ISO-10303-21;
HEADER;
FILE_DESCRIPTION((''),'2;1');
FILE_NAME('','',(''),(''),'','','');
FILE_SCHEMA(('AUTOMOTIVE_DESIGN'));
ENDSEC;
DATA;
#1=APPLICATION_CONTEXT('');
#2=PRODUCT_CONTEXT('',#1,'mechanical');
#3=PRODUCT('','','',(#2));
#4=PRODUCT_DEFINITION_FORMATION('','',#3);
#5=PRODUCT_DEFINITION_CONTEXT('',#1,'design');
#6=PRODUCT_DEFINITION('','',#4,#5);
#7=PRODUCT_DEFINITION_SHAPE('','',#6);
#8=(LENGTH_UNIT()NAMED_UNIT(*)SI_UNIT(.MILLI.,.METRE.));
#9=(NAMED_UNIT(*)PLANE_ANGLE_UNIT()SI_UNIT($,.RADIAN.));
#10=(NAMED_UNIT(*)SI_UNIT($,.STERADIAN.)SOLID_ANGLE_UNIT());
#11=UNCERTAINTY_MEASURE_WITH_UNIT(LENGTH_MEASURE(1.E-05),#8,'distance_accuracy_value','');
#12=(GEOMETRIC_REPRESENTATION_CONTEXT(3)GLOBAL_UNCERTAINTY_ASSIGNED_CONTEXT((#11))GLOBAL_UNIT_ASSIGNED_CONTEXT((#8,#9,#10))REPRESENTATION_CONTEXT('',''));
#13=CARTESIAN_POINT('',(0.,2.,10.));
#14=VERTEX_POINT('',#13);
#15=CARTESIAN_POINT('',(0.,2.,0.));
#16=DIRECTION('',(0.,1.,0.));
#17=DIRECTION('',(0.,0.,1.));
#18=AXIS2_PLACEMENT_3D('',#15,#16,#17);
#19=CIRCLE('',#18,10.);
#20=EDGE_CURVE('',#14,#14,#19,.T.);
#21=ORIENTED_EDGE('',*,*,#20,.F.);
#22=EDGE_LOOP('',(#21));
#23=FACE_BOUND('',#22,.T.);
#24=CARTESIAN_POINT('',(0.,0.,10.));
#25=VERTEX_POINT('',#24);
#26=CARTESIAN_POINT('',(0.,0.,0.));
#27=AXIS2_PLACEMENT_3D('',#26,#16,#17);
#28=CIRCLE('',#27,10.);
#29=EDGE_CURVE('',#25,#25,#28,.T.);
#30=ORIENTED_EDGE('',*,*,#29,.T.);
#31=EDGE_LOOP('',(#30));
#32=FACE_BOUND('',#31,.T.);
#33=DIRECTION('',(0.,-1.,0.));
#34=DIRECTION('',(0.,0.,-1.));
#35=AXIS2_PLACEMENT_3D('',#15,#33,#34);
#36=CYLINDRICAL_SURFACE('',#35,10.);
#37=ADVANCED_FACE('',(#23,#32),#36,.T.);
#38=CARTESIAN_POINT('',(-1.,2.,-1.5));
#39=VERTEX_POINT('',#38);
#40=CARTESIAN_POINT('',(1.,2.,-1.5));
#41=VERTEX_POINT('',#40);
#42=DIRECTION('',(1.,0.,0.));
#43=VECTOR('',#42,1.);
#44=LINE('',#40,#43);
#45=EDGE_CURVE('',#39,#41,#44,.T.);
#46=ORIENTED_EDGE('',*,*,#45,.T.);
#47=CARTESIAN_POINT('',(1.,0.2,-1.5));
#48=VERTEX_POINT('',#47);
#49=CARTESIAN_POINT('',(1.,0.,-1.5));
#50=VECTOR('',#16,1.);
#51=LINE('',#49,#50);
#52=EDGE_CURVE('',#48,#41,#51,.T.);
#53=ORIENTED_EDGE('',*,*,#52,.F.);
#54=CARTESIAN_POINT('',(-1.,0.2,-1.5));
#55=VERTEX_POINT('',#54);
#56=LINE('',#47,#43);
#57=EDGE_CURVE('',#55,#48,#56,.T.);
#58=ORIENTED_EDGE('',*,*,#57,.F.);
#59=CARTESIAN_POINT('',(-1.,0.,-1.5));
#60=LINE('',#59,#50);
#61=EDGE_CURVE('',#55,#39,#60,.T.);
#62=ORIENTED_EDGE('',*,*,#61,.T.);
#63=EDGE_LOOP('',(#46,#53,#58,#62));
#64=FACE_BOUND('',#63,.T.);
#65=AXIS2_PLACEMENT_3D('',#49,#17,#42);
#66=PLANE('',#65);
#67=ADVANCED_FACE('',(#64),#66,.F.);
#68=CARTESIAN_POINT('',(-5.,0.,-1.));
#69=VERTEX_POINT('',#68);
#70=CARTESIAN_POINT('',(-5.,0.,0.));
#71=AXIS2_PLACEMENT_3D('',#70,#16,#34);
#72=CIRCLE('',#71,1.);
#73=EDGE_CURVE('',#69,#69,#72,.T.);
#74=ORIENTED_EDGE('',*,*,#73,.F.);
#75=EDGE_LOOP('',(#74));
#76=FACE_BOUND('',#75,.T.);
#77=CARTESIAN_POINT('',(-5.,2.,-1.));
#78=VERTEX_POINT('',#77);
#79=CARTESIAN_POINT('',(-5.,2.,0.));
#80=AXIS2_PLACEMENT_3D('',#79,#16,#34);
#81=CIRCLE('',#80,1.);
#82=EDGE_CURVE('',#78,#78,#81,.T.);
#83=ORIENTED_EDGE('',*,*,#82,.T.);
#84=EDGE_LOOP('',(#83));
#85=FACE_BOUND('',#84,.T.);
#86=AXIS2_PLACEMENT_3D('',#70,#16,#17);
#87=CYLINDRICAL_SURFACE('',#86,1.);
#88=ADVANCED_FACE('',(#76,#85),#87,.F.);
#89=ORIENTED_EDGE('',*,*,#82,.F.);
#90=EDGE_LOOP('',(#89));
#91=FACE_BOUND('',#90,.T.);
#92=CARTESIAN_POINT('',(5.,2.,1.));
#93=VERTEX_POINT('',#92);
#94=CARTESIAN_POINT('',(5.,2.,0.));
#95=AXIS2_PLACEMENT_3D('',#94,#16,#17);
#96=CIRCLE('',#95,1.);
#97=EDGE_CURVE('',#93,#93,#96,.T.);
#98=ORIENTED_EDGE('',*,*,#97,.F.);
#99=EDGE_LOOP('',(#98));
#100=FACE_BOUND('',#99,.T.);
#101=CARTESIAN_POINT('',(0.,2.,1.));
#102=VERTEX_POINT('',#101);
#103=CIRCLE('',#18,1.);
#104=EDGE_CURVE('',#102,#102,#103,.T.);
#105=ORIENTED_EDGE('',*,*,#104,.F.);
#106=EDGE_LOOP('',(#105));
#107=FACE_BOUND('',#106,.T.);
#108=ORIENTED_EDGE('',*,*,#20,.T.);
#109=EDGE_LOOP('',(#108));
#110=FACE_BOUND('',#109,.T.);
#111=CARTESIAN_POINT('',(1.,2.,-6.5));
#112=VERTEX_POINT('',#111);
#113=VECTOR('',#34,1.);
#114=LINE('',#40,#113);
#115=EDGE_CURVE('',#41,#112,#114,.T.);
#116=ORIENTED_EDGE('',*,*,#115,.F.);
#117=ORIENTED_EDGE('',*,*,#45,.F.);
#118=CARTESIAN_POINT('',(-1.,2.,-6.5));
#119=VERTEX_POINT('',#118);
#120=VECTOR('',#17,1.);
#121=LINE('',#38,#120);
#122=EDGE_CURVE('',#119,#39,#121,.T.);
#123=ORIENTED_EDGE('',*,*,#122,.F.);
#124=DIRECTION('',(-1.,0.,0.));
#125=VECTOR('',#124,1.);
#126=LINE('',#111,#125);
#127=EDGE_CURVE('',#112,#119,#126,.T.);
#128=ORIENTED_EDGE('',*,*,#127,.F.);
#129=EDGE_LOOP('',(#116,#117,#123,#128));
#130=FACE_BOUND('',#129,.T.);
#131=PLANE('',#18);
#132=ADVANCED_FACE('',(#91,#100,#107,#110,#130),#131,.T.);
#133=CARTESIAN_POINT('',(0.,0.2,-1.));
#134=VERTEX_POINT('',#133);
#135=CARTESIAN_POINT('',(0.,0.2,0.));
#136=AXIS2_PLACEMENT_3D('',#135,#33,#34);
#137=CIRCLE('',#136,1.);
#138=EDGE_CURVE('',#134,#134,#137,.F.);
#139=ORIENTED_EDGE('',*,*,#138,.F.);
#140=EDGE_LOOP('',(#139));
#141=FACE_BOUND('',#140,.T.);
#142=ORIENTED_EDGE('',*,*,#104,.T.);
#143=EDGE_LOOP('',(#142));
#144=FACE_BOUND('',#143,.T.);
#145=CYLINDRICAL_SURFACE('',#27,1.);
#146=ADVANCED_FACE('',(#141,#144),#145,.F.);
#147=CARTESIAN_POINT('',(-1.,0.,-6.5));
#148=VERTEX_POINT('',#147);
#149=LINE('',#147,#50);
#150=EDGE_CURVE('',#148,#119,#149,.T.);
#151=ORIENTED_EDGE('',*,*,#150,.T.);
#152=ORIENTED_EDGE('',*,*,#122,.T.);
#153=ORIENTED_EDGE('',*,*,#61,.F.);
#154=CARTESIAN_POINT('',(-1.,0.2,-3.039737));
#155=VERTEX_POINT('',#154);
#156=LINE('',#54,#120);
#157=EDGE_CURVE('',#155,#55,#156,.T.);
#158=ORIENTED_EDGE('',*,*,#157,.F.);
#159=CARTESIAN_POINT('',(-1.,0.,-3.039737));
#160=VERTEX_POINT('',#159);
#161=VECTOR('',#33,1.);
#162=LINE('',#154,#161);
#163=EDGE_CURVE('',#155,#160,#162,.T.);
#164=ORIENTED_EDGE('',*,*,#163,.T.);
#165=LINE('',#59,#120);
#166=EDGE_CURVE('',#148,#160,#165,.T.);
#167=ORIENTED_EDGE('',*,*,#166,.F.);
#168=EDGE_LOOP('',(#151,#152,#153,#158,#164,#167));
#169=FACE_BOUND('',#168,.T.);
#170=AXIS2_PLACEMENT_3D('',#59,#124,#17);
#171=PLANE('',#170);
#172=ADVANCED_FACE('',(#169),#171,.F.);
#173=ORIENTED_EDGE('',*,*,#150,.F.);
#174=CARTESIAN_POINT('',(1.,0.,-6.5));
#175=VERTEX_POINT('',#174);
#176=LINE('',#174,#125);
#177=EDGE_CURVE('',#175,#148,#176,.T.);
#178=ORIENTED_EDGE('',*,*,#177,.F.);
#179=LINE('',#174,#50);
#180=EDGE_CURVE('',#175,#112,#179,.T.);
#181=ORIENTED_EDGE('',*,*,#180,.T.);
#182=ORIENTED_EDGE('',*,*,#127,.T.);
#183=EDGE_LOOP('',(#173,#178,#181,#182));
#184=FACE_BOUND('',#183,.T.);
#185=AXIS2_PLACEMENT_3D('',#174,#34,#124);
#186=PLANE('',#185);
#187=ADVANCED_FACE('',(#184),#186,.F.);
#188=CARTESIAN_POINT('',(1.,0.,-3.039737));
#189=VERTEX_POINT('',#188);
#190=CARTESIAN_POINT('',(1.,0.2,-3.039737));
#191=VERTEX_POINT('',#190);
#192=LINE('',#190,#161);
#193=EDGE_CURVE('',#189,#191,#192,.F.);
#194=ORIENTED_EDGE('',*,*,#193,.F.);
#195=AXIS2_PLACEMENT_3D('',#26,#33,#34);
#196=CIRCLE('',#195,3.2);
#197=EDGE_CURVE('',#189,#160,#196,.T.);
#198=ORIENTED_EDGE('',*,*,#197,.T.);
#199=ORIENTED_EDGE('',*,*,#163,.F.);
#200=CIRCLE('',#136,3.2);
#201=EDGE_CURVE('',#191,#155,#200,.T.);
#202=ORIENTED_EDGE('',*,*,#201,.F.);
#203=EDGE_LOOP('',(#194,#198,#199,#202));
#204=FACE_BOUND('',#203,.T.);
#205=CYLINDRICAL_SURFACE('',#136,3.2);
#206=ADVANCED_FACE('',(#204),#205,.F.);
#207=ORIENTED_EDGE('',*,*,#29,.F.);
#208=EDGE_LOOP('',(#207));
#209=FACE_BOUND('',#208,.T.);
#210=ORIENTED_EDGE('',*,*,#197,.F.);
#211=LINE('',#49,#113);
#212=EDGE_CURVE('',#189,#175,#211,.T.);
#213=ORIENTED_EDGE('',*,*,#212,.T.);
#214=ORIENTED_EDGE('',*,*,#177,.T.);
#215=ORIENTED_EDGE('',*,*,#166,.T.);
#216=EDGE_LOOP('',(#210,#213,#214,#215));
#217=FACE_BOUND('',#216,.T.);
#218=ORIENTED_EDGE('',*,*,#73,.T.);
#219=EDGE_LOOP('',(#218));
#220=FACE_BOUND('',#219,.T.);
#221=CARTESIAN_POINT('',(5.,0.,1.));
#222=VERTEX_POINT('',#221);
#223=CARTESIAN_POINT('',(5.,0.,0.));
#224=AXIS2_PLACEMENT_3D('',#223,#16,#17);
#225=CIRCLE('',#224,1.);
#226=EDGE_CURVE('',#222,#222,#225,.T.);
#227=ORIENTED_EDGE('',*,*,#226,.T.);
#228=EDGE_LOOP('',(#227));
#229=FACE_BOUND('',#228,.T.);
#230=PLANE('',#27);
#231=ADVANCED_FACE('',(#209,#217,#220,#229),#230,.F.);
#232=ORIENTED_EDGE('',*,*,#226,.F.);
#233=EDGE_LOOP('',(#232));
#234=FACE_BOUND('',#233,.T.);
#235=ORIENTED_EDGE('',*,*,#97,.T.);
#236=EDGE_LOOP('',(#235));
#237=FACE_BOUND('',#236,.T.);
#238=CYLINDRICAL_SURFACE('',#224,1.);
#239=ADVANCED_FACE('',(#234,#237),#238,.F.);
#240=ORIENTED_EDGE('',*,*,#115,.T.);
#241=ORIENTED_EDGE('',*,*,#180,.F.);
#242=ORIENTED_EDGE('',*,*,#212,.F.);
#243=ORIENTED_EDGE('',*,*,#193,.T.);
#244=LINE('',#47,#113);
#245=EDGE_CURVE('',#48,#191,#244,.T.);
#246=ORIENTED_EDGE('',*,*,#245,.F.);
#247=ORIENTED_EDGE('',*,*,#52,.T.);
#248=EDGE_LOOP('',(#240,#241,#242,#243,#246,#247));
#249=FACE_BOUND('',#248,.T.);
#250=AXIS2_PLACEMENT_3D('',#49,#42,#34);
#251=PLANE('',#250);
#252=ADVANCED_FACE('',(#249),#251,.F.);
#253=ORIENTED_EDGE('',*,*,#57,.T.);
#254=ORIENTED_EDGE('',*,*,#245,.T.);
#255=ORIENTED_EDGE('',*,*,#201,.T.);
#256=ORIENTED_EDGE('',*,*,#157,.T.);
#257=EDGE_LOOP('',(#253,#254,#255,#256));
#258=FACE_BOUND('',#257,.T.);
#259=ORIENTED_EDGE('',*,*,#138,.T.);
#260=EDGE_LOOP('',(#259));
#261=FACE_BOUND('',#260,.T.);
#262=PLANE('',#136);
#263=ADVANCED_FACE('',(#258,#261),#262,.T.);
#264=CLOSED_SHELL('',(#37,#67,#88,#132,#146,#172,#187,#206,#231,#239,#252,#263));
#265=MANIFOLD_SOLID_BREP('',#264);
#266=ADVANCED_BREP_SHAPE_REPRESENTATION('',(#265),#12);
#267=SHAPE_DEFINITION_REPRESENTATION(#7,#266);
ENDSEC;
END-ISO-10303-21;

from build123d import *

# Parameters (mm, degrees)
SKETCH1_R           = 10
BOSS_EXTRUDE1_DEPTH = 2
SKETCH2_R           = 1
SKETCH2_W           = 2
SKETCH2_H           = 5
CUT_EXTRUDE1_DEPTH  = 2
SKETCH3_R           = 3.2
CUT_EXTRUDE2_DEPTH  = 0.2


with BuildPart() as part:
    # Sketch1 → Boss-Extrude1 (new body)
    with BuildSketch(Plane(origin=(0, 0, 0), x_dir=(1, 0, 0), z_dir=(0, 1, 0))):
        with Locations(Location((0, 0, 0), (0, 0, 270))):
            Circle(SKETCH1_R)
    extrude(amount=BOSS_EXTRUDE1_DEPTH)

    # Sketch2 → Cut-Extrude1 (cut)
    with BuildSketch(Plane(origin=(0, 2, 0), x_dir=(1, 0, 0), z_dir=(0, 1, 0))):
        with Locations(Location((0, 0, 0), (0, 0, 270))):
            Circle(SKETCH2_R)
        with Locations(Location((5, 0, 0), (0, 0, 270))):
            Circle(SKETCH2_R)
        with Locations(Location((-5, 0, 0), (0, 0, 90))):
            Circle(SKETCH2_R)
        with Locations((0, 4)):
            Rectangle(SKETCH2_W, SKETCH2_H)
    extrude(amount=-CUT_EXTRUDE1_DEPTH, mode=Mode.SUBTRACT)

    # Sketch3 → Cut-Extrude2 (cut)
    with BuildSketch(Plane.XZ):
        Circle(SKETCH3_R)
    extrude(amount=-CUT_EXTRUDE2_DEPTH, mode=Mode.SUBTRACT)


solid = part.part
